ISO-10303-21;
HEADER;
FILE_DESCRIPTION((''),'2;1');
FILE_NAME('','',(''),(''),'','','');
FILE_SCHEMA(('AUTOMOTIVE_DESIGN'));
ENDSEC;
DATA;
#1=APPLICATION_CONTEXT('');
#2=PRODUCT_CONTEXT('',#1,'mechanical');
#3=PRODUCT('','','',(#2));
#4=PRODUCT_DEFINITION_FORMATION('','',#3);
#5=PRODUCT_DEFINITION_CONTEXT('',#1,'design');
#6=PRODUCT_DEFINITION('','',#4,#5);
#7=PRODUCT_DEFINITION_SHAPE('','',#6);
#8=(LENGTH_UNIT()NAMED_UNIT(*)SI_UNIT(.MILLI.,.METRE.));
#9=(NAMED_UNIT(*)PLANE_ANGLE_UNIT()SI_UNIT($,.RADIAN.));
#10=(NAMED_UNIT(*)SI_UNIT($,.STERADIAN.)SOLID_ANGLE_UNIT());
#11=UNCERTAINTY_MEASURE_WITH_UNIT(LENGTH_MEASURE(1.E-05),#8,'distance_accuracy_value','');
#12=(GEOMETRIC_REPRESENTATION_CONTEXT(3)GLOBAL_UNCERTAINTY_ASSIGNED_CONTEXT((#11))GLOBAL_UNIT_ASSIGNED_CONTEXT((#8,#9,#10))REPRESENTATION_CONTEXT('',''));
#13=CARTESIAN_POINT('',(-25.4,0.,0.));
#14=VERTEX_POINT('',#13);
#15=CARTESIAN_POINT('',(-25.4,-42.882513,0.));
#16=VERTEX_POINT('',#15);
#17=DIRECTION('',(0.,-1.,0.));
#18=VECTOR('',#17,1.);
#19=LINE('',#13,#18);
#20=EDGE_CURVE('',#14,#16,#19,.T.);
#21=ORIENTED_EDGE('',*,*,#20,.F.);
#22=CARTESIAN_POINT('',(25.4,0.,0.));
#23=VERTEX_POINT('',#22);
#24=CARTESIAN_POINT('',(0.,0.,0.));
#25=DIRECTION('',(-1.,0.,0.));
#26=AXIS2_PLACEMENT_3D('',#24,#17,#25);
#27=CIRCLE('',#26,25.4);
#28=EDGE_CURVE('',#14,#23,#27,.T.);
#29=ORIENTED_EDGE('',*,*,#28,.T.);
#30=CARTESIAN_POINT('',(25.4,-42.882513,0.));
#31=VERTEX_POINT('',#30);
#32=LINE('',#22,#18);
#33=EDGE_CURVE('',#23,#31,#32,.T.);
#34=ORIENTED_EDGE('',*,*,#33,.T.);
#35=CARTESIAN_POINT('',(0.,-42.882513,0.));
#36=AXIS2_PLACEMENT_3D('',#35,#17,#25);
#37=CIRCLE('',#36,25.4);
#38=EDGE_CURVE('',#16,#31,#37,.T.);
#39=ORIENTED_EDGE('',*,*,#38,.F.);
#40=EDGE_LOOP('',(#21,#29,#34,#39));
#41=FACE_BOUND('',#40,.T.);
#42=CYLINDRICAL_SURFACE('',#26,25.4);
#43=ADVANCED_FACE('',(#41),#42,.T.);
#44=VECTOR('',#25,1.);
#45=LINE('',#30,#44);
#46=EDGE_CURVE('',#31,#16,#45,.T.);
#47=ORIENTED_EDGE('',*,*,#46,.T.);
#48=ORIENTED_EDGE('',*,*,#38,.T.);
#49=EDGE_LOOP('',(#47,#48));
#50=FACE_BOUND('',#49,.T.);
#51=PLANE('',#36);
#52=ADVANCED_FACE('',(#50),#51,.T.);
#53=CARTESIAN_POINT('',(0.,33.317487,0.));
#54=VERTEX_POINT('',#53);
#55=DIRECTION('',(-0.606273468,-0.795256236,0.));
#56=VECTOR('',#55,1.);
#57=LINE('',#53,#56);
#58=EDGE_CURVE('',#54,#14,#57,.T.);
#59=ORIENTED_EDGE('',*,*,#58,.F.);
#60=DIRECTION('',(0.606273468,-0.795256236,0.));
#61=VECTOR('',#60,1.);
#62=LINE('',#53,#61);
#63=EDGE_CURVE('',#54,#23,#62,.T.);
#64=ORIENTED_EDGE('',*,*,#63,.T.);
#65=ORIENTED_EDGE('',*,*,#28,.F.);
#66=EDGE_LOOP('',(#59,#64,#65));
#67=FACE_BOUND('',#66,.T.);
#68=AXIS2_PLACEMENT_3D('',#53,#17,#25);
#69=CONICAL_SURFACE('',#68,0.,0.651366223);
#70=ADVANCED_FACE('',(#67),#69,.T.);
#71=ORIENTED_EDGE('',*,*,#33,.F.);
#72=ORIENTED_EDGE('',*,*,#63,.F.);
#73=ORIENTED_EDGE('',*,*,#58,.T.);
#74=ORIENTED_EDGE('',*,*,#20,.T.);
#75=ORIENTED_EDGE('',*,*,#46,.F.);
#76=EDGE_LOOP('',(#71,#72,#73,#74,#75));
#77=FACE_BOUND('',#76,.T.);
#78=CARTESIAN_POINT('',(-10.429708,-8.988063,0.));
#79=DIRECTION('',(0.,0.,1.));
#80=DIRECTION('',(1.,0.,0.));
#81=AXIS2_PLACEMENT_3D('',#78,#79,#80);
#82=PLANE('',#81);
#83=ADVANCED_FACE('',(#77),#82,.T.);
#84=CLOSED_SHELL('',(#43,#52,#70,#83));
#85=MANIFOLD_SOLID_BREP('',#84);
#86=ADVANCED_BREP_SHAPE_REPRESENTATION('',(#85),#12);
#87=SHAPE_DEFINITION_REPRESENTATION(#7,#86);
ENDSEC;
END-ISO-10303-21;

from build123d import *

# Parameters (mm, degrees)
F1_ANGLE = 180


with BuildPart() as f1:
    # F0 (on Top) → F1 (revolve)
    with BuildSketch(Plane.XY):
        Polygon((0, -42.882513), (0, 33.317487), (-25.4, 0), (-25.4, -42.882513), align=None)
    revolve(axis=Axis((0, -4.782513, 0), (0, -1, 0)), revolution_arc=F1_ANGLE)


solid = f1.part
